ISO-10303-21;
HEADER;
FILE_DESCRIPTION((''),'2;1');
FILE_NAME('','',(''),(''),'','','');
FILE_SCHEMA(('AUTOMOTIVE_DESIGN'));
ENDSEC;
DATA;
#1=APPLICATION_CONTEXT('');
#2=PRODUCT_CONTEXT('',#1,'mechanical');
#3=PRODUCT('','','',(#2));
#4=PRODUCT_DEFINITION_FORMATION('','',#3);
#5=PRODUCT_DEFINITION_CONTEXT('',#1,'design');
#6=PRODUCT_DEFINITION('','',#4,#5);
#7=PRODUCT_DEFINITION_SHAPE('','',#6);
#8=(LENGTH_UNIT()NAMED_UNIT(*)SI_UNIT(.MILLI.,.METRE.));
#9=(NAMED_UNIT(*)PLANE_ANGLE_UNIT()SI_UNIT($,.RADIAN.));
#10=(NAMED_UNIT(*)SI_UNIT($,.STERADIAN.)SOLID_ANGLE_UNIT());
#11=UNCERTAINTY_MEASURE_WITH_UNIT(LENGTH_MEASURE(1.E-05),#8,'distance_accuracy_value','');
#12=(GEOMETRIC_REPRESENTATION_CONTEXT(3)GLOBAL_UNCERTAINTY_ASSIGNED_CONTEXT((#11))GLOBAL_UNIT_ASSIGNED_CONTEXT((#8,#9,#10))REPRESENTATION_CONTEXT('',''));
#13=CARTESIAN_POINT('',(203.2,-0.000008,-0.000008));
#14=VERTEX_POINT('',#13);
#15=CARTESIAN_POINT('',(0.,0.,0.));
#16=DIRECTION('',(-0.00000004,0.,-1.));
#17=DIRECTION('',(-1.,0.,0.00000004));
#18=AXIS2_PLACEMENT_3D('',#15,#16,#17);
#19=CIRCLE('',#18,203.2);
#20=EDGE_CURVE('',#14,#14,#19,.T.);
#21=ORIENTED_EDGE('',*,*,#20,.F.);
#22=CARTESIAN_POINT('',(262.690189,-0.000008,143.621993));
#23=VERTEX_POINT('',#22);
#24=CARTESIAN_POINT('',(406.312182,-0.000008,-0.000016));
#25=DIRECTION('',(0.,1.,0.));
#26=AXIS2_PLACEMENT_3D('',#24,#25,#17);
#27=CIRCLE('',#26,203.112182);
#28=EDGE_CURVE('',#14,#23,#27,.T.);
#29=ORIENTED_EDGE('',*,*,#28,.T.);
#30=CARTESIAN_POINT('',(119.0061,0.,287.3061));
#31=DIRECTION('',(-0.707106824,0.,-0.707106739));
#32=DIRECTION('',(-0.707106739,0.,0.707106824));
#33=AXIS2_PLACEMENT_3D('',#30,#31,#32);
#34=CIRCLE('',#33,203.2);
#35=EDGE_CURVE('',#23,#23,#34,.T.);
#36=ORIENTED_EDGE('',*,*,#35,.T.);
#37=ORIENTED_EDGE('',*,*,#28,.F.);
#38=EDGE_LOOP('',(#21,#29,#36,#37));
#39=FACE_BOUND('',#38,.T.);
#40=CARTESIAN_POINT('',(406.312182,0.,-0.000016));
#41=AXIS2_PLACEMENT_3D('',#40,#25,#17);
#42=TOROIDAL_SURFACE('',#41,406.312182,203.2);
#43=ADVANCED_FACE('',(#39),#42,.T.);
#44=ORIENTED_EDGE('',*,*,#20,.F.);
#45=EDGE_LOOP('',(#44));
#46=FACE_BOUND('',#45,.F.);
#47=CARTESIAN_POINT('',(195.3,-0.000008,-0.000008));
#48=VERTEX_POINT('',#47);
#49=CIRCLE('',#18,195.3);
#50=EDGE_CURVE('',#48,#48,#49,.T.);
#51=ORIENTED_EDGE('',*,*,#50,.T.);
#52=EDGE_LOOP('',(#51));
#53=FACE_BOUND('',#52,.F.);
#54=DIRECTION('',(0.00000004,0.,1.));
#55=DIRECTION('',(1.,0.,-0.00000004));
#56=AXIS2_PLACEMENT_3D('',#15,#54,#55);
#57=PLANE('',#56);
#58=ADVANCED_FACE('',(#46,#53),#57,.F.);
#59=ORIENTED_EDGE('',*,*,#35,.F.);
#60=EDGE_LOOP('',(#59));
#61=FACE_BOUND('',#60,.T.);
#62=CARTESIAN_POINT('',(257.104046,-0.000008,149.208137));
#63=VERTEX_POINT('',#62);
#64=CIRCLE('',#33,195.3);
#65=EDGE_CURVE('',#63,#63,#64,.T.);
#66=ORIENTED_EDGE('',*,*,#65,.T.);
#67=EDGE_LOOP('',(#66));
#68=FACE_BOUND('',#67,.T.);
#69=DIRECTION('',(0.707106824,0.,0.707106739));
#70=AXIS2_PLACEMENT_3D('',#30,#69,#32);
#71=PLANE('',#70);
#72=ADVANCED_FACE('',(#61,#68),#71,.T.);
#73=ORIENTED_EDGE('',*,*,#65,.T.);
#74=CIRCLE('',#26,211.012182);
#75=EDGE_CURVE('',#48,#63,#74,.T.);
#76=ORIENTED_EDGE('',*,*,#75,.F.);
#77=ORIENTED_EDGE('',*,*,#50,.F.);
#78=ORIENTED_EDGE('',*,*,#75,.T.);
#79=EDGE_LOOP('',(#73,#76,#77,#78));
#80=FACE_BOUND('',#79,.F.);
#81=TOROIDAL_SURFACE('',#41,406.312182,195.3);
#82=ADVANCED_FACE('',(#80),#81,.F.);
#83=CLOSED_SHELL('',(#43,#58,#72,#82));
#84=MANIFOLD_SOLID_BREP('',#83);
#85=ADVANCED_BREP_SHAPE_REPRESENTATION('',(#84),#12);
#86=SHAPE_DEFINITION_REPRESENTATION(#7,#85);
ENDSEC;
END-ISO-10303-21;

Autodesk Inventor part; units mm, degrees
ref_plane "YZ Plane" through (0, 0, 0) normal (1, 0, 0) x (0, 1, 0)
ref_plane "XZ Plane" through (0, 0, 0) normal (0, 1, 0) x (-1, 0, 0)
ref_plane "XY Plane" through (0, 0, 0) normal (0, 0, 1) x (1, 0, 0)
sketch "Sketch1" plane through (0, 0, 0) normal (0, 0, 1) x (1, 0, 0)
  circle A0 centre (0, 0) radius 195.3
  circle A1 centre (0, 0) radius 203.2
  dimension "d0" = 390.6
  dimension "d1" = 406.4
sketch "Sketch2" plane through (0, 0, 0) normal (0, 1, 0) x (-1, 0, 0)
  line L0 (0, 0) -> (0, 168.3) construction
  line L1 (0, 168.3) -> (-119.0061, 287.3061) construction
  arc A0 (0, 0) -> (-119.0061, 287.3061) centre (-406.3121, 0) ccw
  dimension "d2" = 168.3
  dimension "d3" = 45
  dimension "d4" = 168.3
sweep "Sweep1" add profiles "Sketch1" path "Sketch2"
equation "\"d0\" = D - 2 * T"
equation "\"d1\" = D"
equation "\"d2\" = H"
equation "\"d4\" = H"
equation "\"D\" = 406.4"
equation "\"H\" = 168.3"
equation "\"T\" = 7.9"
equation "\"Size_Designation\" = 1.2345"
properties part number "JIS B 2311 45 Deg Short Elbow Steel - 400A" material "Steel"
